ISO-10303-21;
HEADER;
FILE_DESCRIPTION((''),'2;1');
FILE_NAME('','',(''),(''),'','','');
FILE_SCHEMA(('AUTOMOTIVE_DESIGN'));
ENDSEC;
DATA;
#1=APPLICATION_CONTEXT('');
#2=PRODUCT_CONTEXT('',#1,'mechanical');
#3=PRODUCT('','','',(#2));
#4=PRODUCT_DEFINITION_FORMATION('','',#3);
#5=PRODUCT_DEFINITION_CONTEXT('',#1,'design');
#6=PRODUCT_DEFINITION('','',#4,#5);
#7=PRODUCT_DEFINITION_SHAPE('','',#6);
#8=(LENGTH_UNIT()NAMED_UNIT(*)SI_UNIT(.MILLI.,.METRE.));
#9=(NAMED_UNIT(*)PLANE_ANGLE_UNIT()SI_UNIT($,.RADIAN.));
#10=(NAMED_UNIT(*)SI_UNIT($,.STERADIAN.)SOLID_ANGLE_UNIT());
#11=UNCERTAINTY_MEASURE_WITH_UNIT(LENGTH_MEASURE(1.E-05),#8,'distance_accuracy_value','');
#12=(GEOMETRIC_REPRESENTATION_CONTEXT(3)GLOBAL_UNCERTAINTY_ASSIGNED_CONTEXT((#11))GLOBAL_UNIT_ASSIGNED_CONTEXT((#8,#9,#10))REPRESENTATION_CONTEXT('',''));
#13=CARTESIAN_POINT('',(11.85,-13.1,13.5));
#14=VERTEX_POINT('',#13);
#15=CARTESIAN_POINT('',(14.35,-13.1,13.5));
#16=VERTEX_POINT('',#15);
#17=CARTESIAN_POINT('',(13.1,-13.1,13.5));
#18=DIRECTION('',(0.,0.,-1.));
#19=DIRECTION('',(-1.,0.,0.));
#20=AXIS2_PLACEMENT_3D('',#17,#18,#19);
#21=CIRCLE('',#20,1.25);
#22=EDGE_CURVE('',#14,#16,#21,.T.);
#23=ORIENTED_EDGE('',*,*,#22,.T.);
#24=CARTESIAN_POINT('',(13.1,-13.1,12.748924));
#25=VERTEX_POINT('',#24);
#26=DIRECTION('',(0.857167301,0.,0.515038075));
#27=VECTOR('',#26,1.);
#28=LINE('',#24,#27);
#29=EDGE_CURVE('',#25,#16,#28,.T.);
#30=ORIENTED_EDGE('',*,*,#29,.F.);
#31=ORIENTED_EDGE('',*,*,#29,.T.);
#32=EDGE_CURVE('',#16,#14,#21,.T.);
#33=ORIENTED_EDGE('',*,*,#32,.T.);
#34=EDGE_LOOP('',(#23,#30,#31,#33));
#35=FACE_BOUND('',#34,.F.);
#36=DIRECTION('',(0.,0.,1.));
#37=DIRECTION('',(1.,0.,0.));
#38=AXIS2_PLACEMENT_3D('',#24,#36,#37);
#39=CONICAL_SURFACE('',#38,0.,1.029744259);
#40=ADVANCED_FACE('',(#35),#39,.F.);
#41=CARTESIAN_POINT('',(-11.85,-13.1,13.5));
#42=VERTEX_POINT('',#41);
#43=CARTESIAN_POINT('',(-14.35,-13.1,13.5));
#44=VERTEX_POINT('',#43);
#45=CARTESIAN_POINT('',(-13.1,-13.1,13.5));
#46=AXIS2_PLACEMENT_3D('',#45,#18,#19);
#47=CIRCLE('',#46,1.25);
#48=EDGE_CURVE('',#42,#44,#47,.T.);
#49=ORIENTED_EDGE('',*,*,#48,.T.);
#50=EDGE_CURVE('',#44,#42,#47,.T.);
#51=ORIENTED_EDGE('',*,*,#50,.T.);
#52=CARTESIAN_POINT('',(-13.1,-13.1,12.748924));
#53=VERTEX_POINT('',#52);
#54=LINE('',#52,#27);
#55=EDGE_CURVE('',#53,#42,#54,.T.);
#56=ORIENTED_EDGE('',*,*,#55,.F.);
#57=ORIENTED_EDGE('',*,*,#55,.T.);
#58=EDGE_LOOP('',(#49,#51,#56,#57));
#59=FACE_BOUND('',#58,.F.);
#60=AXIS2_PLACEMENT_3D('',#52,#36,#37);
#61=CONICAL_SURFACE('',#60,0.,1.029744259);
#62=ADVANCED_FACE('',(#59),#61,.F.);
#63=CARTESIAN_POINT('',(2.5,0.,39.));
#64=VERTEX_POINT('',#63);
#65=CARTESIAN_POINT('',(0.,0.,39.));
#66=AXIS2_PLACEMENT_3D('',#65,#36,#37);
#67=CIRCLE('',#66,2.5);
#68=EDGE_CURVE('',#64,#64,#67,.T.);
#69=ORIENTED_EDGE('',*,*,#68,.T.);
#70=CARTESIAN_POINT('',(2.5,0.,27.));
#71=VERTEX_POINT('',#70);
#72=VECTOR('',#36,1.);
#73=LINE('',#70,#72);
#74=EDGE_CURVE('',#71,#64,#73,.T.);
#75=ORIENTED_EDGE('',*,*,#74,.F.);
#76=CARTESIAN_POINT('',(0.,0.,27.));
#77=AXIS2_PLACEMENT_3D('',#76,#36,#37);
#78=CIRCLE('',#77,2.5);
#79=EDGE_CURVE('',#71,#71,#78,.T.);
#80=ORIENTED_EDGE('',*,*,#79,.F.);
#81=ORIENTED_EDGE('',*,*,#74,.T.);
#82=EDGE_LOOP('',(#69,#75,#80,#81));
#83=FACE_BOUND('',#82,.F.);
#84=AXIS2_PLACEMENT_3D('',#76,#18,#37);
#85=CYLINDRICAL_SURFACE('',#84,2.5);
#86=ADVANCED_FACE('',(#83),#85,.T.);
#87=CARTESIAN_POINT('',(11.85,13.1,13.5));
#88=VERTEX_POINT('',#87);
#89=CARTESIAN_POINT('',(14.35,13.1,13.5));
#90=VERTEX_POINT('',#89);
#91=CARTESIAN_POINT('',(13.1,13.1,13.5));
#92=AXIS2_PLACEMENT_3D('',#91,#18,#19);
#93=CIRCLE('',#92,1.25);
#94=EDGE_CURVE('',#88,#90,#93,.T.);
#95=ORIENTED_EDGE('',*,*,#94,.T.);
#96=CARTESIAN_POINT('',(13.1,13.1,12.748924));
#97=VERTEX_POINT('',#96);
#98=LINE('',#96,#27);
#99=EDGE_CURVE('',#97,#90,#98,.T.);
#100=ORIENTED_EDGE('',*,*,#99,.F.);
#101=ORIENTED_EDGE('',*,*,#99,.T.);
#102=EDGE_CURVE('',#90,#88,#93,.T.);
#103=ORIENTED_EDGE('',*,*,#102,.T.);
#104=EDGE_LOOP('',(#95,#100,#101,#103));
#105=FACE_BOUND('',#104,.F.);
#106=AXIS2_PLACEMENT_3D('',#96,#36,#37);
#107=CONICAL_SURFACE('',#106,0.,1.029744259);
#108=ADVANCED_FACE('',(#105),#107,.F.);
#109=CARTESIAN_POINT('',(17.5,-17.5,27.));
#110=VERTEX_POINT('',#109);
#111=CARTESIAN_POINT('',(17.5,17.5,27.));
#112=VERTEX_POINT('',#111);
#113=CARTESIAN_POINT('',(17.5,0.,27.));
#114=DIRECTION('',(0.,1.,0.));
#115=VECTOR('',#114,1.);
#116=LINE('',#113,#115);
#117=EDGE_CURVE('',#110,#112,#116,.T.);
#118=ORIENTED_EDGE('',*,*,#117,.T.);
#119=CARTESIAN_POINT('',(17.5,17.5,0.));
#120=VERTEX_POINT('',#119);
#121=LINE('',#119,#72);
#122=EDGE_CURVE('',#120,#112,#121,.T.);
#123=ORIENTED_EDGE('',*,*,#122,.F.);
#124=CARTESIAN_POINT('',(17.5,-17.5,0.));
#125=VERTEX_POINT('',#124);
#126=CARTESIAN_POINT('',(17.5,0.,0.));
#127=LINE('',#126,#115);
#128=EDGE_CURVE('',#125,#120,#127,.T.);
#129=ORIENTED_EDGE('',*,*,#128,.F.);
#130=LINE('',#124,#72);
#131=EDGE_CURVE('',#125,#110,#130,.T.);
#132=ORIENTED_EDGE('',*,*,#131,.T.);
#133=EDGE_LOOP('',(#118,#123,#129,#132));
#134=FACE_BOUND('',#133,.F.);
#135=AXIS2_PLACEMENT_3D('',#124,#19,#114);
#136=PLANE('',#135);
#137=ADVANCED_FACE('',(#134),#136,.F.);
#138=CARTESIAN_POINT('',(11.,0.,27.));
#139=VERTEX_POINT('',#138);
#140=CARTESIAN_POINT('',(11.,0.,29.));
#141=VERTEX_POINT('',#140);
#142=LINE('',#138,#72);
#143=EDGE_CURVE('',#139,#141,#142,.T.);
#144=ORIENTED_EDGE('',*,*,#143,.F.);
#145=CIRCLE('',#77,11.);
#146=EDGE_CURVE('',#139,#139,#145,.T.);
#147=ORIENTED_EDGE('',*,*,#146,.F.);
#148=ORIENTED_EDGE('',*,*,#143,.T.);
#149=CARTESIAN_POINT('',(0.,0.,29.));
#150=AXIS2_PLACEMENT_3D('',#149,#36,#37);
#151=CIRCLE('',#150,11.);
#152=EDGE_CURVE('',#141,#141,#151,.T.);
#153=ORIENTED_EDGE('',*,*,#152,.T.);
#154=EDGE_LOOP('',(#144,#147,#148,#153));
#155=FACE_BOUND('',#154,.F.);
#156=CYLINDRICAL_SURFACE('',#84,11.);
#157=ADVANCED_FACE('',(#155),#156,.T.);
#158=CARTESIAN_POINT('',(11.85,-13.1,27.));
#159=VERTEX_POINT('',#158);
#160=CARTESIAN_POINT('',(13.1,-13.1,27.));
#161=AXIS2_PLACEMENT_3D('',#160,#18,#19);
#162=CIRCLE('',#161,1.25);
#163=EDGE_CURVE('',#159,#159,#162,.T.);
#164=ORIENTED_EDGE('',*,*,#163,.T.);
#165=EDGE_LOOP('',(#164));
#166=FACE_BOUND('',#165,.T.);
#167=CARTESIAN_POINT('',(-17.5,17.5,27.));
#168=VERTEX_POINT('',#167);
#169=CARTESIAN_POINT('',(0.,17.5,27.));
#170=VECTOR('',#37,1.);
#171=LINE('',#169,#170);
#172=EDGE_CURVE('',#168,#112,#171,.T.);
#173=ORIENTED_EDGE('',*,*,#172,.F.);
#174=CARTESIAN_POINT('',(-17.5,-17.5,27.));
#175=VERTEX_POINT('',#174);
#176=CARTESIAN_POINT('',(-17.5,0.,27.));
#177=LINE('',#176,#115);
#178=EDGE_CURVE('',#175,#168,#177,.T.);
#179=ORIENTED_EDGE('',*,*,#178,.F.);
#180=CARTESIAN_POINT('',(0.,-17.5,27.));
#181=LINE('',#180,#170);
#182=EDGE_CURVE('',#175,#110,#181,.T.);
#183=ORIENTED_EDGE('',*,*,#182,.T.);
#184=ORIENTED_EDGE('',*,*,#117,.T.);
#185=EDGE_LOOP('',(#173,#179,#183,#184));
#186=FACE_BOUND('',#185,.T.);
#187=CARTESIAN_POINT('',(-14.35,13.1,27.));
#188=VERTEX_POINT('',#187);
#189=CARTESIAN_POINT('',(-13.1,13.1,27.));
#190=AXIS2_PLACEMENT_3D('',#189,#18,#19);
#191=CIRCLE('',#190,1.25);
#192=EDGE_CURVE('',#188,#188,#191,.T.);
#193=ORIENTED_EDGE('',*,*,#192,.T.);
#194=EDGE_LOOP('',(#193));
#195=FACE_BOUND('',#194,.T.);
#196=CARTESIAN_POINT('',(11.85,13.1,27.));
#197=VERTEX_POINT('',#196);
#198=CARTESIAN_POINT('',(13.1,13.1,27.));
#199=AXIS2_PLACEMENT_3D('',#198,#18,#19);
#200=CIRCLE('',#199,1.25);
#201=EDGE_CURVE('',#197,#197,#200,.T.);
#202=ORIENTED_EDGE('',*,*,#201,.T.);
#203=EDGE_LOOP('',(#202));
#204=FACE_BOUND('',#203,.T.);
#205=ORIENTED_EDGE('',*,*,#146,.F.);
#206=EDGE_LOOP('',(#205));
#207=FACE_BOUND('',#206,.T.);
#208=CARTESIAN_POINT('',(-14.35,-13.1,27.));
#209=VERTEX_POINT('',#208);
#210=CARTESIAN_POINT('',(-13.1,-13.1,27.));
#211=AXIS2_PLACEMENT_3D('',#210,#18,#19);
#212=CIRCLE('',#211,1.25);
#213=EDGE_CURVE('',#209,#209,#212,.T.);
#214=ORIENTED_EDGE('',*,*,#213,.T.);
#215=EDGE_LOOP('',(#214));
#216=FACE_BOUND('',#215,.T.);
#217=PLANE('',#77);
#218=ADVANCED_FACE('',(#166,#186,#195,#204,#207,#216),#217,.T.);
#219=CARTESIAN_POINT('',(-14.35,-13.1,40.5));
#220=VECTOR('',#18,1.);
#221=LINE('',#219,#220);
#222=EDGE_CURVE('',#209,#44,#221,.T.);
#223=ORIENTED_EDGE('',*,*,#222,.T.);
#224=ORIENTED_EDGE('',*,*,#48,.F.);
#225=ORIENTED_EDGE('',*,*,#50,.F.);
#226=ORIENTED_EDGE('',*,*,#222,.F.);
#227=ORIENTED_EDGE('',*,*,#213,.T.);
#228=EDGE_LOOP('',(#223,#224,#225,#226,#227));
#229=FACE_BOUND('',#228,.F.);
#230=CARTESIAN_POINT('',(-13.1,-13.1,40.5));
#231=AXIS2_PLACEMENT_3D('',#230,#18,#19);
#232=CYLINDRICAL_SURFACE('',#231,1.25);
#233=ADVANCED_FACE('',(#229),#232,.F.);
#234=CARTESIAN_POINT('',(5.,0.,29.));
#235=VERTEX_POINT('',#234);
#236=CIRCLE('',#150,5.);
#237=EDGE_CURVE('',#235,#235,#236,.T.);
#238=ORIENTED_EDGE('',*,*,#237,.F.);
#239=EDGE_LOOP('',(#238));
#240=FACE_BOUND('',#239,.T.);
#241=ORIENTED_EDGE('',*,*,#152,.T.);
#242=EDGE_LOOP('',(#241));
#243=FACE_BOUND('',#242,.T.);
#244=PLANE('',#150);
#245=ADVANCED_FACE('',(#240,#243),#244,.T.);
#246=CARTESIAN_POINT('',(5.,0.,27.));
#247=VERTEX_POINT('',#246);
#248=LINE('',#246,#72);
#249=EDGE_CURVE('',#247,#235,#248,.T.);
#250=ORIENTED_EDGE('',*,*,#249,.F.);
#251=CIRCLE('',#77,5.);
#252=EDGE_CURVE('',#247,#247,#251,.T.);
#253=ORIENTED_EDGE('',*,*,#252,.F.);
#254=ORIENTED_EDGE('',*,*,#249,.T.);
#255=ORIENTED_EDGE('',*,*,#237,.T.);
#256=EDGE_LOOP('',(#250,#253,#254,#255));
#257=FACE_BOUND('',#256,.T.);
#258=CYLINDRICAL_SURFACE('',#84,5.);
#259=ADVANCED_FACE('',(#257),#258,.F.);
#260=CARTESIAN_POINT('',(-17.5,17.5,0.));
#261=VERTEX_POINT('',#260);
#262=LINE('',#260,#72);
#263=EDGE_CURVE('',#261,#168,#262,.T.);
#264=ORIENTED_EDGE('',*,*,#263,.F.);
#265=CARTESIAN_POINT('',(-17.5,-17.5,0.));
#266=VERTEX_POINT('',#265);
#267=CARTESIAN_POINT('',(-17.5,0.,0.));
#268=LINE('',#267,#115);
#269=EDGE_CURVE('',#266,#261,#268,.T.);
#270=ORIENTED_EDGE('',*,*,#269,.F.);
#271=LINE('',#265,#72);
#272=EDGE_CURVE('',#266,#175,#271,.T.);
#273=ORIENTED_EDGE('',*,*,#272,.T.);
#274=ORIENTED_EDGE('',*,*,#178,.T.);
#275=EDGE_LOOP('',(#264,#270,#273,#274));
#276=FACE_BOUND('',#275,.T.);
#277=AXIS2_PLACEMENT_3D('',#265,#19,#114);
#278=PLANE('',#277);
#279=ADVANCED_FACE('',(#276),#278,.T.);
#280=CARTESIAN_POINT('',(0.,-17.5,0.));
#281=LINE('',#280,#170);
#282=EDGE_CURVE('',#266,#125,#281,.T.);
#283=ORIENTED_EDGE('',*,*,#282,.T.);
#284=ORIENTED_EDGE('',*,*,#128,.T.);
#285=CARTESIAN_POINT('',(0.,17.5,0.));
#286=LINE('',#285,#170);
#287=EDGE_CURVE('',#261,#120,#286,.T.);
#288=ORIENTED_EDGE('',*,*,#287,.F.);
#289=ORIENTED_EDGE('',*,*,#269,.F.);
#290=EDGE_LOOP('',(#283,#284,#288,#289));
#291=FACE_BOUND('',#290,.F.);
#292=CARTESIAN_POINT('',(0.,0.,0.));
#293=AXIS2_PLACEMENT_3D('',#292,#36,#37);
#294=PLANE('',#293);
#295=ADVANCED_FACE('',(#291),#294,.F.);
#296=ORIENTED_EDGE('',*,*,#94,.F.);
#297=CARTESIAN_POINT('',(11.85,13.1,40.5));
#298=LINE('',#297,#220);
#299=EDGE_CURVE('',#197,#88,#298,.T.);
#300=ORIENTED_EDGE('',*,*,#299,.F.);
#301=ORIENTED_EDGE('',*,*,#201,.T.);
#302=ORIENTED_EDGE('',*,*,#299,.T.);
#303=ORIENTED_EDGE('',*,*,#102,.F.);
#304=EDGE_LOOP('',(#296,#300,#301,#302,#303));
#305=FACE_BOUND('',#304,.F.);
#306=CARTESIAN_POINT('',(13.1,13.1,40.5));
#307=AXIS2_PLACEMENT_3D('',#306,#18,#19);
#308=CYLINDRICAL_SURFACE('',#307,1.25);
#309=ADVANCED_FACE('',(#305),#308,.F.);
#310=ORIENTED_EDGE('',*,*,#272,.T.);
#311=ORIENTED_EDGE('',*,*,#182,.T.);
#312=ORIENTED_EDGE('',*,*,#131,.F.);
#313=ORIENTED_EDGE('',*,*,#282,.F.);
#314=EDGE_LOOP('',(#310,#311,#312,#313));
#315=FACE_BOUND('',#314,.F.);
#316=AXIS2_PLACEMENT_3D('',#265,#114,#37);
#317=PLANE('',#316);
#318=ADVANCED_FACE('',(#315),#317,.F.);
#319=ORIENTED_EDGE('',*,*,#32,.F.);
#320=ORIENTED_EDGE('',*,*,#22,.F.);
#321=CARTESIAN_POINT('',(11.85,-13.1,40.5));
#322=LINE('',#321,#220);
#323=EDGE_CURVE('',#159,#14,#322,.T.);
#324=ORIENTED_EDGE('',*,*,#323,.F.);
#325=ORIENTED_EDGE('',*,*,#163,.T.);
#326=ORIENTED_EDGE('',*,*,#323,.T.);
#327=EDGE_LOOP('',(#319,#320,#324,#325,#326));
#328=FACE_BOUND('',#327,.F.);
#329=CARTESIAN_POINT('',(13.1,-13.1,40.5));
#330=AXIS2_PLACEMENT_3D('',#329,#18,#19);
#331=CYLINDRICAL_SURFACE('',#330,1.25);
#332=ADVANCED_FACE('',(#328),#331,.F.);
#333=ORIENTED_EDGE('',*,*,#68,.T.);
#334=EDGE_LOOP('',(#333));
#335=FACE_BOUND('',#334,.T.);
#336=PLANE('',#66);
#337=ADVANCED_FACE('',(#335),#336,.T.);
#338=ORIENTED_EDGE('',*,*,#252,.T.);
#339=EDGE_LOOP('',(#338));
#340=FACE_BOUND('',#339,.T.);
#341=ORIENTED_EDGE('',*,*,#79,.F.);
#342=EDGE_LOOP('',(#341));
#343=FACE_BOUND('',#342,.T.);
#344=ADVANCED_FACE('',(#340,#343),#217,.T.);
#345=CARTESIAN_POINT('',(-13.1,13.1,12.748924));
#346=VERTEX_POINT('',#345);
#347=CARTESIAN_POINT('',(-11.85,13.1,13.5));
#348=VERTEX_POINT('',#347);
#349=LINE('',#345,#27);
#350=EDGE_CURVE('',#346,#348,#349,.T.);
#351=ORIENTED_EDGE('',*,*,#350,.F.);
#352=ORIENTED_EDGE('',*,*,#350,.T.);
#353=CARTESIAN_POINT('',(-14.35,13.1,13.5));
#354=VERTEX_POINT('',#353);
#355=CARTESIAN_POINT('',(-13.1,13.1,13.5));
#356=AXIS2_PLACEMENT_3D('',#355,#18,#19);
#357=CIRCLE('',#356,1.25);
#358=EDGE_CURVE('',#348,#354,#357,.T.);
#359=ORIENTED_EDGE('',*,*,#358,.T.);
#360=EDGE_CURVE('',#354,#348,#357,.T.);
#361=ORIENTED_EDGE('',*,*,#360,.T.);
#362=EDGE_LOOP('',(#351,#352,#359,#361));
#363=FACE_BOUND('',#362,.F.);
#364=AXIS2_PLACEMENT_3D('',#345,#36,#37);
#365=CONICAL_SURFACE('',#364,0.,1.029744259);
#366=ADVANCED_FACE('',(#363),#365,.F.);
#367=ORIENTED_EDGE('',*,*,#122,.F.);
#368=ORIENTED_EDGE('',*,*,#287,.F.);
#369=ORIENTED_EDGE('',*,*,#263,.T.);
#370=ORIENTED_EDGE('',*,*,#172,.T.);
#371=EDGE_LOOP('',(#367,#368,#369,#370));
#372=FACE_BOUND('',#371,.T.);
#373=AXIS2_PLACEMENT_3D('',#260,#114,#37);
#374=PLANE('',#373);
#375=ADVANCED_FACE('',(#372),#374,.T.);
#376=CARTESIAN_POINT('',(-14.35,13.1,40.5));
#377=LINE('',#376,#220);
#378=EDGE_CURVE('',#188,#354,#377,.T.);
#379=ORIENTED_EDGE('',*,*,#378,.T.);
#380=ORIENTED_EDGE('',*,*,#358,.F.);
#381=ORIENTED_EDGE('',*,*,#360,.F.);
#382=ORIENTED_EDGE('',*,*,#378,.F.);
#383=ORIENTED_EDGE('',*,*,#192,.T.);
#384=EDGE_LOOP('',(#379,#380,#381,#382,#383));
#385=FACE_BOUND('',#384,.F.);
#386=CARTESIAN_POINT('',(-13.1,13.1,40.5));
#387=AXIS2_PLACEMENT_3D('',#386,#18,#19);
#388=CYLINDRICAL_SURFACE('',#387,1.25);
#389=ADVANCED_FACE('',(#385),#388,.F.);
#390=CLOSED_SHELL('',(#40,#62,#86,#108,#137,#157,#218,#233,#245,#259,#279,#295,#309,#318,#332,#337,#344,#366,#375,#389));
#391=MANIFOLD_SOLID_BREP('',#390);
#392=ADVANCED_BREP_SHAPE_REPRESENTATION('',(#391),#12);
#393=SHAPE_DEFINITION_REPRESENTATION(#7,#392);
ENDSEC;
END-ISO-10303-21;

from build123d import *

# Parameters (mm, degrees)
F0_W     = 35
F0_H     = 35
F1_DEPTH = 27
F2_R     = 11
F2_R_2   = 5
F3_DEPTH = 2
F4_R     = 2.5
F5_DEPTH = 12
F7_D     = 2.5
F7_DEPTH = 13.5
F7_TIP   = 0.7510757738


with BuildPart() as f1:
    # F0 (on Top) → F1 (new body)
    with BuildSketch(Plane.XY):
        Rectangle(F0_W, F0_H)
    extrude(amount=F1_DEPTH)

    # F2 (on face) → F3 (join)
    with BuildSketch(Plane.XY.offset(27)):
        Circle(F2_R)
        Circle(F2_R_2, mode=Mode.SUBTRACT)
    extrude(amount=F3_DEPTH)

    # F4 (on face) → F5 (join)
    with BuildSketch(Plane.XY.offset(27)):
        Circle(F4_R)
    extrude(amount=F5_DEPTH)

    # F7
    with Locations(Plane.XY.offset(27)):
        with Locations((-13.1, 13.1), (13.1, 13.1), (13.1, -13.1), (-13.1, -13.1)):
            Hole(F7_D / 2, depth=F7_DEPTH)
            with Locations((0, 0, -(F7_DEPTH + F7_TIP / 2))):  # 118° drill point
                Cone(0, F7_D / 2, F7_TIP, mode=Mode.SUBTRACT)


solid = f1.part
